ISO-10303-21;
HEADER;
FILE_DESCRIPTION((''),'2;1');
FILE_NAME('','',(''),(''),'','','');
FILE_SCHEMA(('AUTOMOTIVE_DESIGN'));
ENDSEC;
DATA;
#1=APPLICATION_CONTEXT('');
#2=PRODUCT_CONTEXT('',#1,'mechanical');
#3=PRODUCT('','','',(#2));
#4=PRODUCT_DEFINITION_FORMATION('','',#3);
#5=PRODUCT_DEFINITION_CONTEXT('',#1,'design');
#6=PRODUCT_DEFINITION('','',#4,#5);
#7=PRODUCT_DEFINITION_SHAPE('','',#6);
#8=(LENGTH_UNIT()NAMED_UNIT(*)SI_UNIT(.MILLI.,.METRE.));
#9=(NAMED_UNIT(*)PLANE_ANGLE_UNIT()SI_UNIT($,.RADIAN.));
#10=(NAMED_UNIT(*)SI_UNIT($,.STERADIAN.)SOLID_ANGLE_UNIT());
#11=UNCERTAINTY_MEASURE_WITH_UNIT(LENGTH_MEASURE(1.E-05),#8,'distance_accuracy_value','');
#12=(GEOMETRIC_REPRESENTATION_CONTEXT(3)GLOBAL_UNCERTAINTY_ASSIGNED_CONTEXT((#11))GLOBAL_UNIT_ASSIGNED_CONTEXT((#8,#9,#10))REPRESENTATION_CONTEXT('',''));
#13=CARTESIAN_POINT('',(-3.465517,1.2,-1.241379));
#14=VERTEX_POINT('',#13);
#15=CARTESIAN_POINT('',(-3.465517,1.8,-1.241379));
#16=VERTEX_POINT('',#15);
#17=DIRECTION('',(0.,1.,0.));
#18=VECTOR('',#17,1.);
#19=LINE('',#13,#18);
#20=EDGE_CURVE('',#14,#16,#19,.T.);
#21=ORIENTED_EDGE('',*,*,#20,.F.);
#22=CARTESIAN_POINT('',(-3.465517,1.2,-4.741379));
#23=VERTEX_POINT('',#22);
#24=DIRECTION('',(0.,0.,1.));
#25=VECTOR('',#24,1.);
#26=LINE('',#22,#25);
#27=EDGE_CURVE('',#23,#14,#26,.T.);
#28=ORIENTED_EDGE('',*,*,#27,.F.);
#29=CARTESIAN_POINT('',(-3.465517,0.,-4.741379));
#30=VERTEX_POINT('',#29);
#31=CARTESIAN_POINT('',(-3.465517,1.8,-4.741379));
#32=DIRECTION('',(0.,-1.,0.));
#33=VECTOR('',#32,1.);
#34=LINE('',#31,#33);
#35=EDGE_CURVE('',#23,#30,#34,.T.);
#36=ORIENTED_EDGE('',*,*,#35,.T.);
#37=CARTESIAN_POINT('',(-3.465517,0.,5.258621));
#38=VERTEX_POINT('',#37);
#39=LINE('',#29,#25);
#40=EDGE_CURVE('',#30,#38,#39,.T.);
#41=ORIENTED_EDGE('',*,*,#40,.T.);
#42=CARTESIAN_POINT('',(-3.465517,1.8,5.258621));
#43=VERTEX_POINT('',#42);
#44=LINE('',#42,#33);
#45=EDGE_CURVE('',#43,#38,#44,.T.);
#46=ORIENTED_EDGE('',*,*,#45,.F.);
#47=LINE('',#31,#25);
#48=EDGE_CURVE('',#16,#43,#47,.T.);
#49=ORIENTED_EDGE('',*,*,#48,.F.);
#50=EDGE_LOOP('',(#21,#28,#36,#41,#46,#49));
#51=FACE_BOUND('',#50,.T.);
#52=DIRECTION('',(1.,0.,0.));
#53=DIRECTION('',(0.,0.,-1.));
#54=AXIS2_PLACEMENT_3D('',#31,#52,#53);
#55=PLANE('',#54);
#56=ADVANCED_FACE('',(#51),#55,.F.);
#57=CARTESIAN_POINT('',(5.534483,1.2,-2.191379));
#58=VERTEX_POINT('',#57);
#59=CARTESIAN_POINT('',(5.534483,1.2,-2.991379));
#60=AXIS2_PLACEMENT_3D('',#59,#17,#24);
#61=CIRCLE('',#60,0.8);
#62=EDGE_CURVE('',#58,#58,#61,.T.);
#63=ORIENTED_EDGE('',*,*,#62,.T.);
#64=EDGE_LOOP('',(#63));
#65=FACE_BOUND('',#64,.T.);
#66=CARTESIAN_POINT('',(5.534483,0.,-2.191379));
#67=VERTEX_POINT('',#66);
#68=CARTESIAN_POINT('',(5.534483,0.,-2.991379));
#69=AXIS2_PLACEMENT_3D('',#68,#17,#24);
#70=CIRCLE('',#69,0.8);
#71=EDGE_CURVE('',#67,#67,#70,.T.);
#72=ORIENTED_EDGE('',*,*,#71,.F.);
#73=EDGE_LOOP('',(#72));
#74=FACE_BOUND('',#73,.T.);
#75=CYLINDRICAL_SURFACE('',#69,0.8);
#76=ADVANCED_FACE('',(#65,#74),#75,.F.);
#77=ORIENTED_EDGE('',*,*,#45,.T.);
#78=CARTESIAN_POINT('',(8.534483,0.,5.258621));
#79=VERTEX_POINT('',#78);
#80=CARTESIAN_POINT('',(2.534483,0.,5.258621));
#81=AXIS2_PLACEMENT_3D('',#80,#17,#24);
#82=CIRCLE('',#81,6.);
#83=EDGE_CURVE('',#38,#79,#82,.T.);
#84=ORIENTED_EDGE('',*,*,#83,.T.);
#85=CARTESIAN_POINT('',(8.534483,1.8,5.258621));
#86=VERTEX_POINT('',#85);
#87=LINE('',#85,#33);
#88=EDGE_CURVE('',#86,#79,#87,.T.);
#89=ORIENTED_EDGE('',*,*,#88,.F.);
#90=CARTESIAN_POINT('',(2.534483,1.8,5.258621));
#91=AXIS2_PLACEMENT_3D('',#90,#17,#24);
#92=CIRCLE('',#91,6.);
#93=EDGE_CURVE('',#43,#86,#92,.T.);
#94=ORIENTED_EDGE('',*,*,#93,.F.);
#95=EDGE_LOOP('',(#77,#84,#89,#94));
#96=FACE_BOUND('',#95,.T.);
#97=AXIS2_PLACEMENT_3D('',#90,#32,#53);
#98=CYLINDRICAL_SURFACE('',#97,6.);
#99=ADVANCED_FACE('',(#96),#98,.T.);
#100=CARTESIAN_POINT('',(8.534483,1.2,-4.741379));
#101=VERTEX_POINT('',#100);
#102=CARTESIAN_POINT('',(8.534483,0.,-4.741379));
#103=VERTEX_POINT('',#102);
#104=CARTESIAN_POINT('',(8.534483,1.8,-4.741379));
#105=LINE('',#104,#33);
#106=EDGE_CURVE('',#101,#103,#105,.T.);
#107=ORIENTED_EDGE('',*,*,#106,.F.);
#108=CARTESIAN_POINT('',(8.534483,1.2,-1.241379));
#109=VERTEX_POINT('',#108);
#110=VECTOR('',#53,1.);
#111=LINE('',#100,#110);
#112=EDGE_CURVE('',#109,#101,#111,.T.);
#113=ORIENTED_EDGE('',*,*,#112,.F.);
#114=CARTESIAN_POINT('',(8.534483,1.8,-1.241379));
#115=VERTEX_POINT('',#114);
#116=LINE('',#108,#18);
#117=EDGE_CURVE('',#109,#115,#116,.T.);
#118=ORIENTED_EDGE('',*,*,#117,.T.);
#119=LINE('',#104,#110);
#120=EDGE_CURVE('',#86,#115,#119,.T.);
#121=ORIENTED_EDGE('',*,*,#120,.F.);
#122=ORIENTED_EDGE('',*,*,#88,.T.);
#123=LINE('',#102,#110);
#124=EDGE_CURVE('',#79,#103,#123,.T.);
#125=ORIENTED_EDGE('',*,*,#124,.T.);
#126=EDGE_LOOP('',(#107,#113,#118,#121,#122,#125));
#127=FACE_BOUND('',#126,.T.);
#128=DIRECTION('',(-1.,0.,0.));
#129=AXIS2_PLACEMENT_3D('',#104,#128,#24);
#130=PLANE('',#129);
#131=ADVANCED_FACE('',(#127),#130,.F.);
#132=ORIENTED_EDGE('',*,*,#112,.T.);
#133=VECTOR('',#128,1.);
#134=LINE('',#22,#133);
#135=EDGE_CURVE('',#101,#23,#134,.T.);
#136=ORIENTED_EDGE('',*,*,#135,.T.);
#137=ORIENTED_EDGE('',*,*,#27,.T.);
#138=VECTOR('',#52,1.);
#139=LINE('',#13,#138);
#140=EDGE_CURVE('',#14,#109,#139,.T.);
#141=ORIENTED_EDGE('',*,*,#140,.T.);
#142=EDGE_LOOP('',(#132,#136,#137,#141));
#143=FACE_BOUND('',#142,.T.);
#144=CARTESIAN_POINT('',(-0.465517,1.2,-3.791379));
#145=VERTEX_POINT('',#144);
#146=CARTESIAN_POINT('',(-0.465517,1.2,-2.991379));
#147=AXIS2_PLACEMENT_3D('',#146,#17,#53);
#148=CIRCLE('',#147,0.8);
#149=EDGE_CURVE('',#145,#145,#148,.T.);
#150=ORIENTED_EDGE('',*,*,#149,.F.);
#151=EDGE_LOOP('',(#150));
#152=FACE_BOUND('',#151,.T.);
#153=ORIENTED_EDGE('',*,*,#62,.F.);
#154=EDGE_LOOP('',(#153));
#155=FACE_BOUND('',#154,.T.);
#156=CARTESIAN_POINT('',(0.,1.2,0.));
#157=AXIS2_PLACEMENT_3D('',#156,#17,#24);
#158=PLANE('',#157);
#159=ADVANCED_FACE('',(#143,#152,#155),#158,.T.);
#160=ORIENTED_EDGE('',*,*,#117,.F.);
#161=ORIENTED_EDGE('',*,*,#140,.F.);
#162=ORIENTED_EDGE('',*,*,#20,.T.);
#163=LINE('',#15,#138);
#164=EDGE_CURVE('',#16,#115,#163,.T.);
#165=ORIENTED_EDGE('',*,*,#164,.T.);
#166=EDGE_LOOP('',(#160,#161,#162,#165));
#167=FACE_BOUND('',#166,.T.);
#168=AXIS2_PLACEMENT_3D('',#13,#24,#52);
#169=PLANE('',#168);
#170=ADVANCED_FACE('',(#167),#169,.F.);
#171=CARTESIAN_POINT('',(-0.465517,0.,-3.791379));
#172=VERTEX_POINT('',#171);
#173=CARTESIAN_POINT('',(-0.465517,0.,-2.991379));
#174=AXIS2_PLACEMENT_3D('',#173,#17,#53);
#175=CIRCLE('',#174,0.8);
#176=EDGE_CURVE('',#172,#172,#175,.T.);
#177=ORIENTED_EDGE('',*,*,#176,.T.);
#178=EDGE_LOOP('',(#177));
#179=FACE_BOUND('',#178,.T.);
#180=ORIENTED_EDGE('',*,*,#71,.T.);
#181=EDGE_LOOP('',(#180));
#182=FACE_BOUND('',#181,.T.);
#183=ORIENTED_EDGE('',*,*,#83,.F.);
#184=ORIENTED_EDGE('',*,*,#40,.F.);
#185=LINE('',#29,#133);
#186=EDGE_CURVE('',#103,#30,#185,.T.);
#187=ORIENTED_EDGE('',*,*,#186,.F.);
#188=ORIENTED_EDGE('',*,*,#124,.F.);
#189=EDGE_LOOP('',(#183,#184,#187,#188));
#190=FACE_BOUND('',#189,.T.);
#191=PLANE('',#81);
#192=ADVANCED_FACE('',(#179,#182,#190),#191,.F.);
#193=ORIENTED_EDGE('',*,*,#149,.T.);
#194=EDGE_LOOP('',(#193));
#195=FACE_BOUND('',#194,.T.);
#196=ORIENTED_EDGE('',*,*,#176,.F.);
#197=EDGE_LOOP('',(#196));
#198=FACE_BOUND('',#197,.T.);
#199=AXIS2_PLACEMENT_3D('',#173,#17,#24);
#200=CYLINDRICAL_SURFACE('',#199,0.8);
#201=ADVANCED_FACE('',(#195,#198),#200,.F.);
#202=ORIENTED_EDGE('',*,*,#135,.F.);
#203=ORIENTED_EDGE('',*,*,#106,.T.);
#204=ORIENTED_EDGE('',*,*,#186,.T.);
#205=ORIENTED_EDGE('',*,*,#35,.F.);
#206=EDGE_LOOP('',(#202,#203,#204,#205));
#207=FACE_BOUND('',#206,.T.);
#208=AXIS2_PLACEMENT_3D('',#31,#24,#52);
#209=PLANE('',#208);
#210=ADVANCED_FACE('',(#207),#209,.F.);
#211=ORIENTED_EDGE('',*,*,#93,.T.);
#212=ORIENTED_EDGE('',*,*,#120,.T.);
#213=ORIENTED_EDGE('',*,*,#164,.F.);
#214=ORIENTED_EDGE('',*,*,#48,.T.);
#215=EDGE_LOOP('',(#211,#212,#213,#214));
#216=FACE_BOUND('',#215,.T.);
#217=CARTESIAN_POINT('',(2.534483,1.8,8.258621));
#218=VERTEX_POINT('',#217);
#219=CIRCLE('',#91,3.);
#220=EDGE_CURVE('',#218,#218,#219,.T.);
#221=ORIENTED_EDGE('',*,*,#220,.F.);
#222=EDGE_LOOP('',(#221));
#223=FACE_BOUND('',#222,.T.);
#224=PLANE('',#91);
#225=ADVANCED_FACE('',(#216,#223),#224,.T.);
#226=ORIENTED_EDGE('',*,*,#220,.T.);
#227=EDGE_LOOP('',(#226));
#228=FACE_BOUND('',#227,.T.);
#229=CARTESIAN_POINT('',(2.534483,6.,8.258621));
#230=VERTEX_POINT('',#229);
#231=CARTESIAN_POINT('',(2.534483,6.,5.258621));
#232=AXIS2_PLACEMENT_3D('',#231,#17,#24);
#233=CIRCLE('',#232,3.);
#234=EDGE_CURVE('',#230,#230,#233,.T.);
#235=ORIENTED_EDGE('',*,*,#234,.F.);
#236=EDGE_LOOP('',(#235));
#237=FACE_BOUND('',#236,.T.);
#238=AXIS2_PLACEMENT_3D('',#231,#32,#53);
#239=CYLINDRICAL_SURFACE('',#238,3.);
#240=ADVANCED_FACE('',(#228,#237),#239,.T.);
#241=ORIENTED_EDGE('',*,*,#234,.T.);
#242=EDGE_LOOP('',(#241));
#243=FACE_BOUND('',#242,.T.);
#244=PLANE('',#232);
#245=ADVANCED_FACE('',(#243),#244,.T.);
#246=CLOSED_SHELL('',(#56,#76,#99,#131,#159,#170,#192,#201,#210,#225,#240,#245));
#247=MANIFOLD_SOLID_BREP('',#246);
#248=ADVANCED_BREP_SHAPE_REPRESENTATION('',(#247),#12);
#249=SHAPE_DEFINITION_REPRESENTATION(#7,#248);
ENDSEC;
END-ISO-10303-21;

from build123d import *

# Parameters (mm, degrees)
BOSS_EXTRUDE1_DEPTH = 1.8
SKETCH2_W           = 12
SKETCH2_H           = 3.5
CUT_EXTRUDE1_DEPTH  = 0.6
SKETCH3_R           = 3
BOSS_EXTRUDE2_DEPTH = 4.2
SKETCH4_R           = 0.8
CUT_EXTRUDE2_DEPTH  = 15.920922753


with BuildPart() as part:
    # Sketch1 → Boss-Extrude1 (new body)
    with BuildSketch(Plane(origin=(0, 0, 0), x_dir=(1, 0, 0), z_dir=(0, 1, 0))):
        with BuildLine():
            Line((-3.465517241, 4.74137931), (8.534482759, 4.74137931))
            Line((8.534482759, 4.74137931), (8.534482759, -5.25862069))
            ThreePointArc((8.534482759, -5.25862069), (2.534482759, -11.25862069), (-3.465517241, -5.25862069))
            Line((-3.465517241, -5.25862069), (-3.465517241, 4.74137931))
        make_face()
    extrude(amount=BOSS_EXTRUDE1_DEPTH)

    # Sketch2 → Cut-Extrude1 (cut)
    with BuildSketch(Plane(origin=(0, 1.8, 0), x_dir=(1, 0, 0), z_dir=(0, 1, 0))):
        with Locations((2.534482759, 2.99137931)):
            Rectangle(SKETCH2_W, SKETCH2_H)
    extrude(amount=-CUT_EXTRUDE1_DEPTH, mode=Mode.SUBTRACT)

    # Sketch3 → Boss-Extrude2 (add)
    with BuildSketch(Plane(origin=(0, 1.8, 0), x_dir=(1, 0, 0), z_dir=(0, 1, 0))):
        with Locations(Location((2.534482759, -5.25862069, 0), (0, 0, 270))):
            Circle(SKETCH3_R)
    extrude(amount=BOSS_EXTRUDE2_DEPTH)

    # Sketch4 → Cut-Extrude2 (cut, through all)
    with BuildSketch(Plane(origin=(0, 1.2, 0), x_dir=(1, 0, 0), z_dir=(0, 1, 0))):
        with Locations(Location((5.534482759, 2.99137931, 0), (0, 0, 270))):
            Circle(SKETCH4_R)
        with Locations(Location((-0.465517241, 2.99137931, 0), (0, 0, 90))):
            Circle(SKETCH4_R)
    extrude(amount=-CUT_EXTRUDE2_DEPTH, mode=Mode.SUBTRACT)


solid = part.part
